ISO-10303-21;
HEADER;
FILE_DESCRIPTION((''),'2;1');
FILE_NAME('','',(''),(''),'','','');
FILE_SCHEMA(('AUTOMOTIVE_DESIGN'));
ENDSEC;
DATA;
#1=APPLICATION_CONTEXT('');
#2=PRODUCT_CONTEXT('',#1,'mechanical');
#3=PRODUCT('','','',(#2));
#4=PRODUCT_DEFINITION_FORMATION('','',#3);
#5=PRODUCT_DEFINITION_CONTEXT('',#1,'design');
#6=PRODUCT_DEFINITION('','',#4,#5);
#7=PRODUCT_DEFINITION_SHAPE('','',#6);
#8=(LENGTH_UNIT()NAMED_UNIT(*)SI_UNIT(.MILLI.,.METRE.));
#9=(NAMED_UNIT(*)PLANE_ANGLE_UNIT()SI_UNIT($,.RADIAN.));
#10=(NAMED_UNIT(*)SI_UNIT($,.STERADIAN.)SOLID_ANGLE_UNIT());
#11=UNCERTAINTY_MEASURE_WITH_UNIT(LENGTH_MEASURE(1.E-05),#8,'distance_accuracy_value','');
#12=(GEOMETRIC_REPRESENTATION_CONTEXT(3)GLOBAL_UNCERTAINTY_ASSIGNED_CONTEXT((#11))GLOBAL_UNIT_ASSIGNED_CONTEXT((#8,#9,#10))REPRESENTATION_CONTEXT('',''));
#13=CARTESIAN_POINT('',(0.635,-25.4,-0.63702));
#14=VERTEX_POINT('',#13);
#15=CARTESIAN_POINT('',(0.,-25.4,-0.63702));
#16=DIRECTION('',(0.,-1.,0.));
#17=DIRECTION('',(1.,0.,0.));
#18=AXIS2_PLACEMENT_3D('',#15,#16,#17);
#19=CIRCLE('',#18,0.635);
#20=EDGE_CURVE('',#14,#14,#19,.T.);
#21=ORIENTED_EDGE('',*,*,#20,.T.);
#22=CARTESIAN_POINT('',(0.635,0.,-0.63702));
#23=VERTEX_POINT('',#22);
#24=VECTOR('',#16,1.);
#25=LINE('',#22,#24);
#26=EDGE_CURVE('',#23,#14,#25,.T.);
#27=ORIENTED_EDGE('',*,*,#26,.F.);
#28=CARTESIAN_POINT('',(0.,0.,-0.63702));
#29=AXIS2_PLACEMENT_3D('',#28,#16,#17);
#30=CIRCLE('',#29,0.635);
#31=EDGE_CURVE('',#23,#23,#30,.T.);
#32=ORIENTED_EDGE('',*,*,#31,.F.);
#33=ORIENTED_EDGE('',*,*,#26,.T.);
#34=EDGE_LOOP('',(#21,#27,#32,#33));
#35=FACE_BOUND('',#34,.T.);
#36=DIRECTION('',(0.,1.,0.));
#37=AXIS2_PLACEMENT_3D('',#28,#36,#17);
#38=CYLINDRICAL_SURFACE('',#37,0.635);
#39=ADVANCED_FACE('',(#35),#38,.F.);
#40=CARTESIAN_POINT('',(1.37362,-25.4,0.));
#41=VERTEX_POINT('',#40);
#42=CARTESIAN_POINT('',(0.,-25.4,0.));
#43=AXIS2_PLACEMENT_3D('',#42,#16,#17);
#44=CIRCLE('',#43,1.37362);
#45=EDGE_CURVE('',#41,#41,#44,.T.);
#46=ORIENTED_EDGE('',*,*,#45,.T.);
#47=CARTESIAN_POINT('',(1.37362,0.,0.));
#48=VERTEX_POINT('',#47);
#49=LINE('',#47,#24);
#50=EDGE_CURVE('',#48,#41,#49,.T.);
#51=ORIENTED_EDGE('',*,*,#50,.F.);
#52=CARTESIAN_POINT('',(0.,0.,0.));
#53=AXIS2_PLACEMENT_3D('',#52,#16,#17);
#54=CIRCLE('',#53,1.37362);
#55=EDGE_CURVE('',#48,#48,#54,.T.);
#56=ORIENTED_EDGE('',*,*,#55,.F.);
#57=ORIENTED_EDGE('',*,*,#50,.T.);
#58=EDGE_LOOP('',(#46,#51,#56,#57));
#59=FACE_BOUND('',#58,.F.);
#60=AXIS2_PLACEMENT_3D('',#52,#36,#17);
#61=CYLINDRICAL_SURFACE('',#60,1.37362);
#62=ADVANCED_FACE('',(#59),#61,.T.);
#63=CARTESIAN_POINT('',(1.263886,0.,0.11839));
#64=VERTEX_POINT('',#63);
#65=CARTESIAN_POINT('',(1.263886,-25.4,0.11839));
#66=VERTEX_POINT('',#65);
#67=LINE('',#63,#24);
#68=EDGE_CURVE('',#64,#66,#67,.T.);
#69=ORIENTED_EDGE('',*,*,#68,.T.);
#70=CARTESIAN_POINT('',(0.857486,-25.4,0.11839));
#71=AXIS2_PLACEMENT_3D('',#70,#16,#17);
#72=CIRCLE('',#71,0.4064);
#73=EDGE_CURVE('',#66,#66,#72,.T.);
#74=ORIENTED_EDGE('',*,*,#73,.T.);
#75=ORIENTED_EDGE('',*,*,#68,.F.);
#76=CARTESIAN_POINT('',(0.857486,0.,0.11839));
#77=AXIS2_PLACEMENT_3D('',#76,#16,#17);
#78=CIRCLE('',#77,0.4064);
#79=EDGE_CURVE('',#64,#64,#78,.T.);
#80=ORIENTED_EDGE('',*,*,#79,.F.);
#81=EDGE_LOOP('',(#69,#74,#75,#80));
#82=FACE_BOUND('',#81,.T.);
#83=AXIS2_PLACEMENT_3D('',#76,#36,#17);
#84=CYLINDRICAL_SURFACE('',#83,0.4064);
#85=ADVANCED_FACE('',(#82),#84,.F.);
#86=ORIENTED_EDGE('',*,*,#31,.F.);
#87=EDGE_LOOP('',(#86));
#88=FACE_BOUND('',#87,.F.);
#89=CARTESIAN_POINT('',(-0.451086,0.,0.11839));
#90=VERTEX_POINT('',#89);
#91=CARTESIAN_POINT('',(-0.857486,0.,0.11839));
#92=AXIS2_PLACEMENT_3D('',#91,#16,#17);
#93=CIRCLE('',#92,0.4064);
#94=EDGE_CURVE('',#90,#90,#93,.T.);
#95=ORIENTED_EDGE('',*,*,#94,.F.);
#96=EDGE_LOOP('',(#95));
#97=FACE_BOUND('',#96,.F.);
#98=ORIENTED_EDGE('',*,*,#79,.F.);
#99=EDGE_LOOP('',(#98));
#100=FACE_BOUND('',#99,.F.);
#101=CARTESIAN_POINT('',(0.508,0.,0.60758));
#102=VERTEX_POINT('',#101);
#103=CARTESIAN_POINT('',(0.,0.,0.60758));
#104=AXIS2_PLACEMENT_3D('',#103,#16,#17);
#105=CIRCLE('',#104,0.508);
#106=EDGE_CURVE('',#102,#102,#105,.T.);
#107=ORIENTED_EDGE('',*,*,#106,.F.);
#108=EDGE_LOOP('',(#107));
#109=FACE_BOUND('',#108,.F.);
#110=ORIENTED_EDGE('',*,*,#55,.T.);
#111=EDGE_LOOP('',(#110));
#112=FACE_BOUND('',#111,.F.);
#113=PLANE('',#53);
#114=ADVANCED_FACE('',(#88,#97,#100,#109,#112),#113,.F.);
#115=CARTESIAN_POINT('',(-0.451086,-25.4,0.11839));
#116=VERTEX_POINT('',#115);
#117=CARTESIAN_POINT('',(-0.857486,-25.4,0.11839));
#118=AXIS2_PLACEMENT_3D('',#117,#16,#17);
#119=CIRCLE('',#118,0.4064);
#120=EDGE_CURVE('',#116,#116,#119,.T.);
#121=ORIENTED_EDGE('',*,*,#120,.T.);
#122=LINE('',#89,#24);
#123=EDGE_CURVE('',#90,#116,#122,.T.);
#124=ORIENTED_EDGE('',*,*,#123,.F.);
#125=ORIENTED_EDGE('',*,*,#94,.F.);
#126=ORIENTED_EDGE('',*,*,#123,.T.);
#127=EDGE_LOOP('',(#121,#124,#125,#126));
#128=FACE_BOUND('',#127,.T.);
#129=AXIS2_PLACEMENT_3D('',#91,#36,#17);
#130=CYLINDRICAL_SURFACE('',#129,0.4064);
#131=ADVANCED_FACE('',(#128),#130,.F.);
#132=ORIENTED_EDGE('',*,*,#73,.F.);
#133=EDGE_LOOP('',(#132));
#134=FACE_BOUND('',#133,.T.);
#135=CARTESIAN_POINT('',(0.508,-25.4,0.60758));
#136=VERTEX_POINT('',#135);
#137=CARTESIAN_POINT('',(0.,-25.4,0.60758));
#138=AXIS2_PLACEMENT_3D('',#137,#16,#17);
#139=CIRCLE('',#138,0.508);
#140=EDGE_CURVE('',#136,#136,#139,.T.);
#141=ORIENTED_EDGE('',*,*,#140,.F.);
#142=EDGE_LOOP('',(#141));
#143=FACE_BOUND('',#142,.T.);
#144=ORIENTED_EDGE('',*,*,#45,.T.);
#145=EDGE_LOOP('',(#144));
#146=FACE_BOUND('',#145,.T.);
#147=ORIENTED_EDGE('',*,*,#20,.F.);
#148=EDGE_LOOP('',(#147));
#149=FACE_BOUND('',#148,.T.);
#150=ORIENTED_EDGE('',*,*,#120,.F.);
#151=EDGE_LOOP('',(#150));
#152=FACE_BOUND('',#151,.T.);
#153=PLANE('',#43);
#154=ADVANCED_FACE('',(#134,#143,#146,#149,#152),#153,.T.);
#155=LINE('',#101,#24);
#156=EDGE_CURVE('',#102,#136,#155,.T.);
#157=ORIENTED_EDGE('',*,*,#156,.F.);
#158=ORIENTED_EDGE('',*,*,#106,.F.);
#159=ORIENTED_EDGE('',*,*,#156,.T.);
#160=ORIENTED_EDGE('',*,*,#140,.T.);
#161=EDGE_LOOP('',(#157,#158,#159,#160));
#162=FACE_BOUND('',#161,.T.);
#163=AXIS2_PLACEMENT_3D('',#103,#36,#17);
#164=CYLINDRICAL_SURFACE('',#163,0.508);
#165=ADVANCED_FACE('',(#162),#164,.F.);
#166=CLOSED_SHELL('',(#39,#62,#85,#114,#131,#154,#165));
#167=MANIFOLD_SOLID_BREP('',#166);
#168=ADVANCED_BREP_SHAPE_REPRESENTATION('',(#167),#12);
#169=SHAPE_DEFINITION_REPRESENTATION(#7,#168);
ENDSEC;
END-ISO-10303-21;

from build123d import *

# Parameters (mm, degrees)
F0_R     = 1.37362
F0_R_2   = 0.635
F0_R_3   = 0.4064
F0_R_4   = 0.508
F1_DEPTH = 25.4


with BuildPart() as f1:
    # F0 (on Front) → F1 (new body)
    with BuildSketch(Plane.XZ):
        Circle(F0_R)
        with Locations((0, -0.63702)):
            Circle(F0_R_2, mode=Mode.SUBTRACT)
        with Locations((-0.857486, 0.11839)):
            Circle(F0_R_3, mode=Mode.SUBTRACT)
        with Locations((0, 0.60758)):
            Circle(F0_R_4, mode=Mode.SUBTRACT)
        with Locations((0.857486, 0.11839)):
            Circle(F0_R_3, mode=Mode.SUBTRACT)
    extrude(amount=F1_DEPTH)


solid = f1.part
